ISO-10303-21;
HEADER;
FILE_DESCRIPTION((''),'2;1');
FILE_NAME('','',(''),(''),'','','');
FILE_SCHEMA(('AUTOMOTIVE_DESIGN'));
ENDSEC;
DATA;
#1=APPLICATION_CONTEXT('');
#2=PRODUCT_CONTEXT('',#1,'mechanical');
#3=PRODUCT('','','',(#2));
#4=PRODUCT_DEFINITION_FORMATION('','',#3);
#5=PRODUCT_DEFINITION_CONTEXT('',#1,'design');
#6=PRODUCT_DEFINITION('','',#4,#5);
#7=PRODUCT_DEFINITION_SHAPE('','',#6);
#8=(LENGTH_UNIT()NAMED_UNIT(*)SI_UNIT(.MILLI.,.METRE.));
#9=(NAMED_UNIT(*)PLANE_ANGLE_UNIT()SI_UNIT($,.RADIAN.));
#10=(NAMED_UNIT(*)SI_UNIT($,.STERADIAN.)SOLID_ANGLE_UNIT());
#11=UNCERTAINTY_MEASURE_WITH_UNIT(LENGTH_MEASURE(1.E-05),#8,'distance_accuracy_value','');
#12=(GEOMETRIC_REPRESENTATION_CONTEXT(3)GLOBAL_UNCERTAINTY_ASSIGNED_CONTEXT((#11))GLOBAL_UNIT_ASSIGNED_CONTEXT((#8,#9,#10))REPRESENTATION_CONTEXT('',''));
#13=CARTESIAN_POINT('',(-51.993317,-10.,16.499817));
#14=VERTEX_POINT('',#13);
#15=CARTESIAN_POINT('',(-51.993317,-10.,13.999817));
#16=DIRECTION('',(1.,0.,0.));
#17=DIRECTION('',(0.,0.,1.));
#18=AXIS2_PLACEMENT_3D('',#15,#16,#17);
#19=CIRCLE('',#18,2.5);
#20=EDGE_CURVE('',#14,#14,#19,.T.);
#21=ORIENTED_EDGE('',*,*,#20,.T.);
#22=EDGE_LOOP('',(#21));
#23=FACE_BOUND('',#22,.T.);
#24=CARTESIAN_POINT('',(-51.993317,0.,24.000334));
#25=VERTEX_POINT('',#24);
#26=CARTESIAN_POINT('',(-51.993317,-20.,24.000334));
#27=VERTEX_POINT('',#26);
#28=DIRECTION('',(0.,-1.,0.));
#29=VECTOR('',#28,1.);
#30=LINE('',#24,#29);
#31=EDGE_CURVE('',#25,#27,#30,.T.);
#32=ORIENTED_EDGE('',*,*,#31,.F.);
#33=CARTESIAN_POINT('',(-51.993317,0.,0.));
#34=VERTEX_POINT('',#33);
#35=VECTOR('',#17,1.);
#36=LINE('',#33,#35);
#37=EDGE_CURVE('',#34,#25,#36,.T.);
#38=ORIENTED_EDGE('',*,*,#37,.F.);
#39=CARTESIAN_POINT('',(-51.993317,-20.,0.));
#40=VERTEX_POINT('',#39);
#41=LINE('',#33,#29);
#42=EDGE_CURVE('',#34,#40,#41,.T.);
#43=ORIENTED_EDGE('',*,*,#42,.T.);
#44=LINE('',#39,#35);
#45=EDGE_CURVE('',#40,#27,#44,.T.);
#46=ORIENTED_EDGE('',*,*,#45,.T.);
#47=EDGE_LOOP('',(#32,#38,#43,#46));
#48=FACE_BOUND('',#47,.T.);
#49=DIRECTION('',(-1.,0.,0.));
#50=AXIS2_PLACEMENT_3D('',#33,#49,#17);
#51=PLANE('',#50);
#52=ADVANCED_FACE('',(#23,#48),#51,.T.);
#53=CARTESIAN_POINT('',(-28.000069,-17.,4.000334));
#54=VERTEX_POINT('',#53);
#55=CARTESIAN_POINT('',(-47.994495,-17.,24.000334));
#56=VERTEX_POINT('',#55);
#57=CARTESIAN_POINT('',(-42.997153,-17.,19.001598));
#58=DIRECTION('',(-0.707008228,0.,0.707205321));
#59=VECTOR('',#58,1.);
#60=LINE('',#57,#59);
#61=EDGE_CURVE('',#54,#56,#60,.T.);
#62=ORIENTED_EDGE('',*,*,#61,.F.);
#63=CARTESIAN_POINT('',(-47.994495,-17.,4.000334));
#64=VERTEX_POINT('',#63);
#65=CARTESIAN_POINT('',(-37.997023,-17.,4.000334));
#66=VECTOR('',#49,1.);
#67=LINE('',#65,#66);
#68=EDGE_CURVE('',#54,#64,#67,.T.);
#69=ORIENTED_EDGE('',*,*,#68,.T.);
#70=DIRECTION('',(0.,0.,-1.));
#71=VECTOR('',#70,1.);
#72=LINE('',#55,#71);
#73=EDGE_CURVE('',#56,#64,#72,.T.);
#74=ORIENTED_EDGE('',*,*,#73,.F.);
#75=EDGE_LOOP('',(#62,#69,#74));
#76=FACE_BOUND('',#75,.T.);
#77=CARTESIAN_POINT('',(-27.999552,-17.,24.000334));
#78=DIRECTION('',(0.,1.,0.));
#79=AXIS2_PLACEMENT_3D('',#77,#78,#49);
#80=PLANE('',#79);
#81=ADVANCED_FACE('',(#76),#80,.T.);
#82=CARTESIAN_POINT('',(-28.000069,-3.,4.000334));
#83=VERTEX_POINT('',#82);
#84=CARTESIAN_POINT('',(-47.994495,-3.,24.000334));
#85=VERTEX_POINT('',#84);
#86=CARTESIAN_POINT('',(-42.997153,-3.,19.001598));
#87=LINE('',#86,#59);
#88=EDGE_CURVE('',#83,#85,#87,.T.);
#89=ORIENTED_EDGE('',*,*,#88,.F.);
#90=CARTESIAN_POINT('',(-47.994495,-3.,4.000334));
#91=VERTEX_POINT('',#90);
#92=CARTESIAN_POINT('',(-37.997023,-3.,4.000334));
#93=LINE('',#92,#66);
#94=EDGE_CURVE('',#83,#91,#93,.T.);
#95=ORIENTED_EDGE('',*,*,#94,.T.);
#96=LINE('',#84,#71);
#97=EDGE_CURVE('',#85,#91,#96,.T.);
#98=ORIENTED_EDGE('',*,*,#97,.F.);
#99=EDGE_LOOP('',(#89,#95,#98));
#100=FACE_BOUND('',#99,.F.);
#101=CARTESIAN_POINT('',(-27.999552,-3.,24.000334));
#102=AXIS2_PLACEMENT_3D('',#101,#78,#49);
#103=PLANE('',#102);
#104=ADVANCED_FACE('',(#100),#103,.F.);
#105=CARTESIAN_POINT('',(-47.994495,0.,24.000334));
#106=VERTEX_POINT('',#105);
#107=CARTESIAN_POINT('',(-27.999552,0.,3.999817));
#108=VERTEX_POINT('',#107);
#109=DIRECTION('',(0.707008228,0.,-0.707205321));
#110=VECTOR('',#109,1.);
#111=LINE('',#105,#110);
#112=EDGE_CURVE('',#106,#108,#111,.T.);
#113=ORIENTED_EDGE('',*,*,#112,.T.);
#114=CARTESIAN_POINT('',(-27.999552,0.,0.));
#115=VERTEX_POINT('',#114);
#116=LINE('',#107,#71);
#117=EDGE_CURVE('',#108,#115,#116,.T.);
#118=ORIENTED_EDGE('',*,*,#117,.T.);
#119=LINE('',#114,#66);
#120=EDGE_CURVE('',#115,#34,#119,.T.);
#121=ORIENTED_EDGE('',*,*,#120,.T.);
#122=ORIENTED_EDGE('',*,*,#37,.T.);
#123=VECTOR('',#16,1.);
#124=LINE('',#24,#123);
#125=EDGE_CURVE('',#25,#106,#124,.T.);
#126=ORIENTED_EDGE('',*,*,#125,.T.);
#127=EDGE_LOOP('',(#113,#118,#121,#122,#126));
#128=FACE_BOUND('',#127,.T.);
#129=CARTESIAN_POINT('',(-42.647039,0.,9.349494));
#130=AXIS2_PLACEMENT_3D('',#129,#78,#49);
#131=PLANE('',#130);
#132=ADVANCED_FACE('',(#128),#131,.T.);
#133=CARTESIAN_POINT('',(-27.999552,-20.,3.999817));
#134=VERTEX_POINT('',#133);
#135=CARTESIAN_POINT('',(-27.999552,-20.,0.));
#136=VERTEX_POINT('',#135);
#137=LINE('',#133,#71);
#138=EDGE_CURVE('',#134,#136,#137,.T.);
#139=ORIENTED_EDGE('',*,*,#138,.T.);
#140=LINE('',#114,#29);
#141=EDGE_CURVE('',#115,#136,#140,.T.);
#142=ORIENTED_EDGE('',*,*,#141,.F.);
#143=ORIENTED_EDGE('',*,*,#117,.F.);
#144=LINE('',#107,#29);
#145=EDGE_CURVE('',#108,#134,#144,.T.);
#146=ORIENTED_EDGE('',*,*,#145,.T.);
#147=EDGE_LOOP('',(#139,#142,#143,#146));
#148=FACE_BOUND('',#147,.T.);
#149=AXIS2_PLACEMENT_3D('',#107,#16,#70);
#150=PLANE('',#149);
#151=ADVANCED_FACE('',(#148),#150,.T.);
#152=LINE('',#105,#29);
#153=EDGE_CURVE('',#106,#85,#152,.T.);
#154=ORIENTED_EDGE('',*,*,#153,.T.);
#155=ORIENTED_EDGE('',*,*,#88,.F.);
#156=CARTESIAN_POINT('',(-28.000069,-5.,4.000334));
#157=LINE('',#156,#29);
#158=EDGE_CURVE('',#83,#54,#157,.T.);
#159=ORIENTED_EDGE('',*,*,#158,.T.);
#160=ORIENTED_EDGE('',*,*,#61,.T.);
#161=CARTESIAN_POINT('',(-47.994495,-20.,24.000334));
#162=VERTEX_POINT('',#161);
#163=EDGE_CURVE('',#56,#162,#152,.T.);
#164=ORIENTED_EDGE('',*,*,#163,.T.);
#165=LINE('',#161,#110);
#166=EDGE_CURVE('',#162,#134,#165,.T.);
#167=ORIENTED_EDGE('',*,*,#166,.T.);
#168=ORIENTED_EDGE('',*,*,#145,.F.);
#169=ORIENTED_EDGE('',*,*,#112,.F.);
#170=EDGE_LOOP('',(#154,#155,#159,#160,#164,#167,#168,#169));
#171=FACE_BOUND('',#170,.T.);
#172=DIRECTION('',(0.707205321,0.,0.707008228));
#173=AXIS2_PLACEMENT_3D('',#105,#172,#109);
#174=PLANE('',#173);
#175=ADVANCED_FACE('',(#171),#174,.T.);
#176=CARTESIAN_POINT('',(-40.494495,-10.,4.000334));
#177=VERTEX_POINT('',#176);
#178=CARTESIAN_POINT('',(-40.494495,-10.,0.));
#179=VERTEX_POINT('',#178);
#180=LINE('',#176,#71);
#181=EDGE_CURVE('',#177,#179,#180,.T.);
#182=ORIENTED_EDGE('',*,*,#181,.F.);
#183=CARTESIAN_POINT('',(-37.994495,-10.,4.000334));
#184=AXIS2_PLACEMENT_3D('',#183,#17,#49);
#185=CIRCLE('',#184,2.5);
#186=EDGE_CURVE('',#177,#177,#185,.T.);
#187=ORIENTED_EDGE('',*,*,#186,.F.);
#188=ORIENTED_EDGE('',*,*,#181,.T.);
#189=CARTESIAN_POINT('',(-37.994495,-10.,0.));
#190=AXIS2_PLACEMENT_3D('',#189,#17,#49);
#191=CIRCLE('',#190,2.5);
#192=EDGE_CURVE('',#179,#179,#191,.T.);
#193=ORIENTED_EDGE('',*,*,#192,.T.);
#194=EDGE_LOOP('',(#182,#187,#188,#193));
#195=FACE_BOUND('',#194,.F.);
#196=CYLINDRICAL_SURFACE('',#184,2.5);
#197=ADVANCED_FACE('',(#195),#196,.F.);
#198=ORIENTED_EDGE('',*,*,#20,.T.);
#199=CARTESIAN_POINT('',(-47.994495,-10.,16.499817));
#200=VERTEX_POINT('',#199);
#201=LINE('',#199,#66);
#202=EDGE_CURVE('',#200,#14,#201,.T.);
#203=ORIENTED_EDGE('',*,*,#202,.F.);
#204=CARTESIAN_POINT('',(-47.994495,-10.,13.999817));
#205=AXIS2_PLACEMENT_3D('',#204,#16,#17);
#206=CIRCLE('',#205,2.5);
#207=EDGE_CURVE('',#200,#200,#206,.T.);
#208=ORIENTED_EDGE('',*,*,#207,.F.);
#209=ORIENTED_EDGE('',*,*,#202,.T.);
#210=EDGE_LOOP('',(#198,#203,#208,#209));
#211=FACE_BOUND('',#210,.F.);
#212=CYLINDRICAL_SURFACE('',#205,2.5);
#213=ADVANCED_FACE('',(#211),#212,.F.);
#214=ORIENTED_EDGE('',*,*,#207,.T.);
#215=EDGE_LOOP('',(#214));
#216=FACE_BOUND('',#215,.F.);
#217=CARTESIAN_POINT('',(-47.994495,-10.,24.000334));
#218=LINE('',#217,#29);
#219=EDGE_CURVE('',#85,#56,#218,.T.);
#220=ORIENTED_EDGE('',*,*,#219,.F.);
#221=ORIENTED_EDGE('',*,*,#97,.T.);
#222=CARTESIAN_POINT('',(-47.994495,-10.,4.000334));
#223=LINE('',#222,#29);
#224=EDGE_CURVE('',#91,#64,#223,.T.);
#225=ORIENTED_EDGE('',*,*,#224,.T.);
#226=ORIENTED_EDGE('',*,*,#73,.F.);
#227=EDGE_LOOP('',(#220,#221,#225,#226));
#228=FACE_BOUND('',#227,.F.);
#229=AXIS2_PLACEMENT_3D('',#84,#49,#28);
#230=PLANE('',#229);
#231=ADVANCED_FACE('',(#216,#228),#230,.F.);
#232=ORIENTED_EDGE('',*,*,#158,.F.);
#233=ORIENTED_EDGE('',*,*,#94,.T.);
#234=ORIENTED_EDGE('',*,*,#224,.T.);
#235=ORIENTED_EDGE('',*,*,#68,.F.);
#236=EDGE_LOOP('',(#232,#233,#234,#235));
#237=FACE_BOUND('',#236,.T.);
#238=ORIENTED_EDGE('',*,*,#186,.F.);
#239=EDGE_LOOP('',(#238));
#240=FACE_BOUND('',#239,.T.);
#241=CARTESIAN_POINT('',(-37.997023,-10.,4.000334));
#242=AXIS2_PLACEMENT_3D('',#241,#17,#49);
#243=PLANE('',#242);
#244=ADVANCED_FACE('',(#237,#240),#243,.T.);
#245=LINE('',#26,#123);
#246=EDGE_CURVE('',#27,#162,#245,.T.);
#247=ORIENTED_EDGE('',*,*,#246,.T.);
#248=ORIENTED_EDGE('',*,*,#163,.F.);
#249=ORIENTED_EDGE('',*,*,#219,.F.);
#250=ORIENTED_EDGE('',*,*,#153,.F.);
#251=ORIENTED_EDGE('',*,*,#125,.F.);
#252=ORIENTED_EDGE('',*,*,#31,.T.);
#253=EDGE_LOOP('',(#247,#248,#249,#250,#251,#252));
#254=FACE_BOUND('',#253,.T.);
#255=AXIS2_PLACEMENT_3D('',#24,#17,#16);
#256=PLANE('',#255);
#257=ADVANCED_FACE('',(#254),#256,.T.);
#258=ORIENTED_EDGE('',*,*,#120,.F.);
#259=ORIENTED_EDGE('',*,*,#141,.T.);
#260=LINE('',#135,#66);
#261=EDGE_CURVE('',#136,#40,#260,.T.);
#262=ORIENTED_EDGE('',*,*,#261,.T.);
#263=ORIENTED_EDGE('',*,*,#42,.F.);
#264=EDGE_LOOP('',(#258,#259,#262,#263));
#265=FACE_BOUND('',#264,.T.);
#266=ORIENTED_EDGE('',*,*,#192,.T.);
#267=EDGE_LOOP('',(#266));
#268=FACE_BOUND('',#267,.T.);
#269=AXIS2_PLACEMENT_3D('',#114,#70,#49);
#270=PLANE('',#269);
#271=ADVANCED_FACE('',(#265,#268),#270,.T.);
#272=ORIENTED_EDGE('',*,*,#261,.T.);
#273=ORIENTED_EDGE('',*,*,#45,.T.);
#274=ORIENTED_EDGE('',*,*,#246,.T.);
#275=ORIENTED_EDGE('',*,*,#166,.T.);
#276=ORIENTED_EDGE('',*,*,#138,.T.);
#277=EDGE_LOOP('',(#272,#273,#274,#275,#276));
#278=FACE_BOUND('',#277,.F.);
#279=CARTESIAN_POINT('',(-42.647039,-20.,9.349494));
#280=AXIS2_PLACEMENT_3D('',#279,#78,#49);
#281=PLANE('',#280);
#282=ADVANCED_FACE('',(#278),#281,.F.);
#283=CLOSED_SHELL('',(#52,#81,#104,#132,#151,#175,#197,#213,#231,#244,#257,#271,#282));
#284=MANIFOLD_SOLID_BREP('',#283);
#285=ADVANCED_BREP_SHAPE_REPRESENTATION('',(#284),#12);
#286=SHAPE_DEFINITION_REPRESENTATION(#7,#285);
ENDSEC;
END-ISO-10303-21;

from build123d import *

# Parameters (mm, degrees)
PAD_DEPTH       = 20
SKETCH001_W     = 19.994943
SKETCH001_H     = 14
POCKET_DEPTH    = 20
SKETCH002_R     = 2.5
POCKET001_DEPTH = 5
SKETCH003_R     = 2.5
POCKET002_DEPTH = 5


with BuildPart() as part:
    # Sketch → Pad (new body)
    with BuildSketch(Plane.XZ):
        Polygon((-51.993317, 0), (-51.993317, 24.000334), (-47.994495, 24.000334), (-27.999552, 3.999817), (-27.999552, 0), align=None)
    extrude(amount=PAD_DEPTH)

    # Sketch001 → Pocket (cut)
    with BuildSketch(Plane(origin=(0, 0, 24.000334), x_dir=(-1, 0, 0), z_dir=(0, 0, 1))):
        with Locations((37.9970235, 10)):
            Rectangle(SKETCH001_W, SKETCH001_H)
    extrude(amount=-POCKET_DEPTH, mode=Mode.SUBTRACT)

    # Sketch002 → Pocket001 (cut)
    with BuildSketch(Plane(origin=(-47.994495, 0, 0), x_dir=(0, 0, 1), z_dir=(1, 0, 0))):
        with Locations((13.999817, 10)):
            Circle(SKETCH002_R)
    extrude(amount=-POCKET001_DEPTH, mode=Mode.SUBTRACT)

    # Sketch003 → Pocket002 (cut)
    with BuildSketch(Plane(origin=(0, 0, 4.000334), x_dir=(-1, 0, 0), z_dir=(0, 0, 1))):
        with Locations((37.994495, 10)):
            Circle(SKETCH003_R)
    extrude(amount=-POCKET002_DEPTH, mode=Mode.SUBTRACT)


solid = part.part
